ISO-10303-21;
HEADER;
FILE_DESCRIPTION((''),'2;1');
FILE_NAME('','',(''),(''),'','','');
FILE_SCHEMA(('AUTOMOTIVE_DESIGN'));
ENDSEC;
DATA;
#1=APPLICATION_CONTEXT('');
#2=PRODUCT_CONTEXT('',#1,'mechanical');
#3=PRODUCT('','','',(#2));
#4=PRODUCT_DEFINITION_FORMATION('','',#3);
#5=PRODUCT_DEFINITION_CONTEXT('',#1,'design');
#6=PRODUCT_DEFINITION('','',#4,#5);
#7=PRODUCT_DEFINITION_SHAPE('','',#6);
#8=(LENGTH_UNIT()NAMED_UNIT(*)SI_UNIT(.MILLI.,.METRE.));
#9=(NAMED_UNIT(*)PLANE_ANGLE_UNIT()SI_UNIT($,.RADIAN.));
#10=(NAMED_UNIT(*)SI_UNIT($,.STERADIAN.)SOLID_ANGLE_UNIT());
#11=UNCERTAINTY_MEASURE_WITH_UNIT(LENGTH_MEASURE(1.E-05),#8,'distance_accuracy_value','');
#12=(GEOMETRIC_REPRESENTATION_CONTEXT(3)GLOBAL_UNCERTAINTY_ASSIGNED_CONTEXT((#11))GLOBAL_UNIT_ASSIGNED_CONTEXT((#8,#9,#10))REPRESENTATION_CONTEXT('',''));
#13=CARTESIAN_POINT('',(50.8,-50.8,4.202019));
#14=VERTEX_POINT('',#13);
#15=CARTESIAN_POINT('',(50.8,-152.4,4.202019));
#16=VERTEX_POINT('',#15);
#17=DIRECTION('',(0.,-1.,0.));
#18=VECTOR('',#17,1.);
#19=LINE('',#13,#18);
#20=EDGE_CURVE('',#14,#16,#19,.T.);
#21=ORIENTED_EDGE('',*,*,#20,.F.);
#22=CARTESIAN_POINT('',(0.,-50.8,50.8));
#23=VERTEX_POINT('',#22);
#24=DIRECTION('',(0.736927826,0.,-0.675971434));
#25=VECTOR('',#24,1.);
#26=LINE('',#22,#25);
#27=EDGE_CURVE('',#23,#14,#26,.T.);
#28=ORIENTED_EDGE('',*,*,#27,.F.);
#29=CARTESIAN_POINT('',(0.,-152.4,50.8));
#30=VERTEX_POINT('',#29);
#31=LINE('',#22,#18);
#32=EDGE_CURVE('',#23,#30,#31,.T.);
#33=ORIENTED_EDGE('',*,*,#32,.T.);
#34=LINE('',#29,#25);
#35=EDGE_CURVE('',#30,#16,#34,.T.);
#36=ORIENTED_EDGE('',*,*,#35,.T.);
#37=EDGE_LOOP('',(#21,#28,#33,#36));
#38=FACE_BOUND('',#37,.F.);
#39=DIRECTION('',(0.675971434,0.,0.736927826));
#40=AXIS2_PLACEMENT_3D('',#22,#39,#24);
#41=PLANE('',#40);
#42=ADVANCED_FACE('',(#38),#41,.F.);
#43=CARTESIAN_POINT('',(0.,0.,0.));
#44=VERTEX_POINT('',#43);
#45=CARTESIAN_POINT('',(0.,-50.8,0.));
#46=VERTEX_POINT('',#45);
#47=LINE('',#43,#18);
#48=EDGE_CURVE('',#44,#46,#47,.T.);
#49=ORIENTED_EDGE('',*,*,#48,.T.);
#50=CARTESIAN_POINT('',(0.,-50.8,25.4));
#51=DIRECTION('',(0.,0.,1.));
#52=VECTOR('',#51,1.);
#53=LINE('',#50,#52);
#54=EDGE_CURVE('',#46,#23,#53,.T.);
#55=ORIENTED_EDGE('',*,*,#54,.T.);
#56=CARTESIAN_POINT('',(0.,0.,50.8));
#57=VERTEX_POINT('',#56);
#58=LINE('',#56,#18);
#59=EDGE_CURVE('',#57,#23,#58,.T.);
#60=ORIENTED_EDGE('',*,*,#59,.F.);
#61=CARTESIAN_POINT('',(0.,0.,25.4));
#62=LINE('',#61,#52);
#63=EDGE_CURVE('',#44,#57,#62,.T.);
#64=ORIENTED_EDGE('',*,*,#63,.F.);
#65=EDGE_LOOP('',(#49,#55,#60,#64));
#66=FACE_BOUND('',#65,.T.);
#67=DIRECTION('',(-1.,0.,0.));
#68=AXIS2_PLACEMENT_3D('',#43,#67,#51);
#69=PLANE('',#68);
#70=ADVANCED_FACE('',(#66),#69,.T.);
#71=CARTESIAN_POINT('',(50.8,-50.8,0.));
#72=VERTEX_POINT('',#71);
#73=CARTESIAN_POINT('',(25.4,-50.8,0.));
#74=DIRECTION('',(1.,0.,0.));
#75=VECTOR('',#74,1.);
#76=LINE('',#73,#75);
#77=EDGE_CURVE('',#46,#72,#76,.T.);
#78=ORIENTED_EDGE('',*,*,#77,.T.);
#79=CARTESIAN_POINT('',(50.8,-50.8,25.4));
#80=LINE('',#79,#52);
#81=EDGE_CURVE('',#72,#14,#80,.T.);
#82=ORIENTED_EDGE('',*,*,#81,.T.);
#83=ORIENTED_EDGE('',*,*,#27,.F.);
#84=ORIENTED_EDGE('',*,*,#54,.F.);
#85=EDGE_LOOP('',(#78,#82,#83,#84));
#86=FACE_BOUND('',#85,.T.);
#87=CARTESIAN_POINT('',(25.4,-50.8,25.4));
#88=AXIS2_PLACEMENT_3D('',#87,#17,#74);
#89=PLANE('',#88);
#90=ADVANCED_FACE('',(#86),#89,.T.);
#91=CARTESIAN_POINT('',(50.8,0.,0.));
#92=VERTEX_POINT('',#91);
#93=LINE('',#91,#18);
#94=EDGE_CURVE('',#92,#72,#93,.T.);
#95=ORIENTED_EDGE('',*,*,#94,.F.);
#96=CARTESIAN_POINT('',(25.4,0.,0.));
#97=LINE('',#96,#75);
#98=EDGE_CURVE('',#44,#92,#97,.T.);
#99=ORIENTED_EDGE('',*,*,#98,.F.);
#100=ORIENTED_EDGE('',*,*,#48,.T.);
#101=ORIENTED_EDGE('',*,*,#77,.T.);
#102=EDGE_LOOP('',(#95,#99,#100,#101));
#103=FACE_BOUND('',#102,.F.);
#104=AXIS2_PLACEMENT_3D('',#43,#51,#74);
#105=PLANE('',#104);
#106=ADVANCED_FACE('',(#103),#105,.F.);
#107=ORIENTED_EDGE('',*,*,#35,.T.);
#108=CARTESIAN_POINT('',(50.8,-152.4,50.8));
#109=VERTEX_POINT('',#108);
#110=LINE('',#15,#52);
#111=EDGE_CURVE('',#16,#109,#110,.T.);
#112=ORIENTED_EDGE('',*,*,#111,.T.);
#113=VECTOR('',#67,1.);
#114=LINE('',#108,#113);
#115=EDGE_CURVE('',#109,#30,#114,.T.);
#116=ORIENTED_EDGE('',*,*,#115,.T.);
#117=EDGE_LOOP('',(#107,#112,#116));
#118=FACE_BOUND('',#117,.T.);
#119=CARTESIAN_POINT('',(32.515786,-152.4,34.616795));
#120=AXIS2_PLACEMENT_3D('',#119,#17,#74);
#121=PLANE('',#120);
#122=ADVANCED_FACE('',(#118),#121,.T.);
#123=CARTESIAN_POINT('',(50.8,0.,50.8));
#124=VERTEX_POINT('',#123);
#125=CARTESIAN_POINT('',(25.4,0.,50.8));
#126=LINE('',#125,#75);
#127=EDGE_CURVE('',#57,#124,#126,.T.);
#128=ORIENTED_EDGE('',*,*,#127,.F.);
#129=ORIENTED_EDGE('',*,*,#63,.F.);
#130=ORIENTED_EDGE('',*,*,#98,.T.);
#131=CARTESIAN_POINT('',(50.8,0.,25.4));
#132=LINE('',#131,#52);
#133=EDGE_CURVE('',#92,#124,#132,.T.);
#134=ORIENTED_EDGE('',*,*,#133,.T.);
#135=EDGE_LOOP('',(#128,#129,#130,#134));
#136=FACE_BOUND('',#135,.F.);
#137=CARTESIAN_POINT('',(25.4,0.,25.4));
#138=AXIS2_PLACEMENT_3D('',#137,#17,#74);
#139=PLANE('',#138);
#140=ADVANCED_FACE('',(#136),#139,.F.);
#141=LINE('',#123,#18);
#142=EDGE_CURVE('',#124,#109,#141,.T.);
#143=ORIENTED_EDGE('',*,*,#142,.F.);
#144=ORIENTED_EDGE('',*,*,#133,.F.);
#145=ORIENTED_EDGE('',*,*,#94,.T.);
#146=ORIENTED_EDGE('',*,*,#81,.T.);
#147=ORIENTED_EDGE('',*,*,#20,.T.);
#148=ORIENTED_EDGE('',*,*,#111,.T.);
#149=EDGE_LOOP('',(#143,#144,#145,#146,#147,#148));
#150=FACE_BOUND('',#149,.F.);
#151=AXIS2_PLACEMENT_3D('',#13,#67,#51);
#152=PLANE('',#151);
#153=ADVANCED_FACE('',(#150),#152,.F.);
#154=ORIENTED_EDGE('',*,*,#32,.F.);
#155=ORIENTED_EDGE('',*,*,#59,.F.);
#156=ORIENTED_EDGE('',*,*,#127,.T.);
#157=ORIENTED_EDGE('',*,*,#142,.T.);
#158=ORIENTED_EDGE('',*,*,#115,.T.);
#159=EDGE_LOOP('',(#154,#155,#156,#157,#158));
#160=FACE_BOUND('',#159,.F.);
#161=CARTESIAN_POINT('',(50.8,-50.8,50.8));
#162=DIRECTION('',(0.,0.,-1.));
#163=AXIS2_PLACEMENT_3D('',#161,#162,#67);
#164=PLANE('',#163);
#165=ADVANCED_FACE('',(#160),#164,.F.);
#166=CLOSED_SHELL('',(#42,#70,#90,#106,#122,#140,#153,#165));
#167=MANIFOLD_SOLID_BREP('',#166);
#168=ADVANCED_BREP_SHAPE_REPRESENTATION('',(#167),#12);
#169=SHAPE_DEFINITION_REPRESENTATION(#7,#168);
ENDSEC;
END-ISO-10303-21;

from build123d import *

# Parameters (mm, degrees)
F0_W     = 50.8
F0_H     = 50.8
F1_DEPTH = 50.8
F3_DEPTH = 101.6


with BuildPart() as f1:
    # F0 (on Front) → F1 (new body)
    with BuildSketch(Plane.XZ):
        with Locations((25.4, 25.4)):
            Rectangle(F0_W, F0_H)
    extrude(amount=F1_DEPTH)

    # F2 (on face) → F3 (join)
    with BuildSketch(Plane.XZ.offset(50.8)):
        Polygon((50.8, 4.202019), (50.8, 50.8), (0, 50.8), align=None)
    extrude(amount=F3_DEPTH)


solid = f1.part
